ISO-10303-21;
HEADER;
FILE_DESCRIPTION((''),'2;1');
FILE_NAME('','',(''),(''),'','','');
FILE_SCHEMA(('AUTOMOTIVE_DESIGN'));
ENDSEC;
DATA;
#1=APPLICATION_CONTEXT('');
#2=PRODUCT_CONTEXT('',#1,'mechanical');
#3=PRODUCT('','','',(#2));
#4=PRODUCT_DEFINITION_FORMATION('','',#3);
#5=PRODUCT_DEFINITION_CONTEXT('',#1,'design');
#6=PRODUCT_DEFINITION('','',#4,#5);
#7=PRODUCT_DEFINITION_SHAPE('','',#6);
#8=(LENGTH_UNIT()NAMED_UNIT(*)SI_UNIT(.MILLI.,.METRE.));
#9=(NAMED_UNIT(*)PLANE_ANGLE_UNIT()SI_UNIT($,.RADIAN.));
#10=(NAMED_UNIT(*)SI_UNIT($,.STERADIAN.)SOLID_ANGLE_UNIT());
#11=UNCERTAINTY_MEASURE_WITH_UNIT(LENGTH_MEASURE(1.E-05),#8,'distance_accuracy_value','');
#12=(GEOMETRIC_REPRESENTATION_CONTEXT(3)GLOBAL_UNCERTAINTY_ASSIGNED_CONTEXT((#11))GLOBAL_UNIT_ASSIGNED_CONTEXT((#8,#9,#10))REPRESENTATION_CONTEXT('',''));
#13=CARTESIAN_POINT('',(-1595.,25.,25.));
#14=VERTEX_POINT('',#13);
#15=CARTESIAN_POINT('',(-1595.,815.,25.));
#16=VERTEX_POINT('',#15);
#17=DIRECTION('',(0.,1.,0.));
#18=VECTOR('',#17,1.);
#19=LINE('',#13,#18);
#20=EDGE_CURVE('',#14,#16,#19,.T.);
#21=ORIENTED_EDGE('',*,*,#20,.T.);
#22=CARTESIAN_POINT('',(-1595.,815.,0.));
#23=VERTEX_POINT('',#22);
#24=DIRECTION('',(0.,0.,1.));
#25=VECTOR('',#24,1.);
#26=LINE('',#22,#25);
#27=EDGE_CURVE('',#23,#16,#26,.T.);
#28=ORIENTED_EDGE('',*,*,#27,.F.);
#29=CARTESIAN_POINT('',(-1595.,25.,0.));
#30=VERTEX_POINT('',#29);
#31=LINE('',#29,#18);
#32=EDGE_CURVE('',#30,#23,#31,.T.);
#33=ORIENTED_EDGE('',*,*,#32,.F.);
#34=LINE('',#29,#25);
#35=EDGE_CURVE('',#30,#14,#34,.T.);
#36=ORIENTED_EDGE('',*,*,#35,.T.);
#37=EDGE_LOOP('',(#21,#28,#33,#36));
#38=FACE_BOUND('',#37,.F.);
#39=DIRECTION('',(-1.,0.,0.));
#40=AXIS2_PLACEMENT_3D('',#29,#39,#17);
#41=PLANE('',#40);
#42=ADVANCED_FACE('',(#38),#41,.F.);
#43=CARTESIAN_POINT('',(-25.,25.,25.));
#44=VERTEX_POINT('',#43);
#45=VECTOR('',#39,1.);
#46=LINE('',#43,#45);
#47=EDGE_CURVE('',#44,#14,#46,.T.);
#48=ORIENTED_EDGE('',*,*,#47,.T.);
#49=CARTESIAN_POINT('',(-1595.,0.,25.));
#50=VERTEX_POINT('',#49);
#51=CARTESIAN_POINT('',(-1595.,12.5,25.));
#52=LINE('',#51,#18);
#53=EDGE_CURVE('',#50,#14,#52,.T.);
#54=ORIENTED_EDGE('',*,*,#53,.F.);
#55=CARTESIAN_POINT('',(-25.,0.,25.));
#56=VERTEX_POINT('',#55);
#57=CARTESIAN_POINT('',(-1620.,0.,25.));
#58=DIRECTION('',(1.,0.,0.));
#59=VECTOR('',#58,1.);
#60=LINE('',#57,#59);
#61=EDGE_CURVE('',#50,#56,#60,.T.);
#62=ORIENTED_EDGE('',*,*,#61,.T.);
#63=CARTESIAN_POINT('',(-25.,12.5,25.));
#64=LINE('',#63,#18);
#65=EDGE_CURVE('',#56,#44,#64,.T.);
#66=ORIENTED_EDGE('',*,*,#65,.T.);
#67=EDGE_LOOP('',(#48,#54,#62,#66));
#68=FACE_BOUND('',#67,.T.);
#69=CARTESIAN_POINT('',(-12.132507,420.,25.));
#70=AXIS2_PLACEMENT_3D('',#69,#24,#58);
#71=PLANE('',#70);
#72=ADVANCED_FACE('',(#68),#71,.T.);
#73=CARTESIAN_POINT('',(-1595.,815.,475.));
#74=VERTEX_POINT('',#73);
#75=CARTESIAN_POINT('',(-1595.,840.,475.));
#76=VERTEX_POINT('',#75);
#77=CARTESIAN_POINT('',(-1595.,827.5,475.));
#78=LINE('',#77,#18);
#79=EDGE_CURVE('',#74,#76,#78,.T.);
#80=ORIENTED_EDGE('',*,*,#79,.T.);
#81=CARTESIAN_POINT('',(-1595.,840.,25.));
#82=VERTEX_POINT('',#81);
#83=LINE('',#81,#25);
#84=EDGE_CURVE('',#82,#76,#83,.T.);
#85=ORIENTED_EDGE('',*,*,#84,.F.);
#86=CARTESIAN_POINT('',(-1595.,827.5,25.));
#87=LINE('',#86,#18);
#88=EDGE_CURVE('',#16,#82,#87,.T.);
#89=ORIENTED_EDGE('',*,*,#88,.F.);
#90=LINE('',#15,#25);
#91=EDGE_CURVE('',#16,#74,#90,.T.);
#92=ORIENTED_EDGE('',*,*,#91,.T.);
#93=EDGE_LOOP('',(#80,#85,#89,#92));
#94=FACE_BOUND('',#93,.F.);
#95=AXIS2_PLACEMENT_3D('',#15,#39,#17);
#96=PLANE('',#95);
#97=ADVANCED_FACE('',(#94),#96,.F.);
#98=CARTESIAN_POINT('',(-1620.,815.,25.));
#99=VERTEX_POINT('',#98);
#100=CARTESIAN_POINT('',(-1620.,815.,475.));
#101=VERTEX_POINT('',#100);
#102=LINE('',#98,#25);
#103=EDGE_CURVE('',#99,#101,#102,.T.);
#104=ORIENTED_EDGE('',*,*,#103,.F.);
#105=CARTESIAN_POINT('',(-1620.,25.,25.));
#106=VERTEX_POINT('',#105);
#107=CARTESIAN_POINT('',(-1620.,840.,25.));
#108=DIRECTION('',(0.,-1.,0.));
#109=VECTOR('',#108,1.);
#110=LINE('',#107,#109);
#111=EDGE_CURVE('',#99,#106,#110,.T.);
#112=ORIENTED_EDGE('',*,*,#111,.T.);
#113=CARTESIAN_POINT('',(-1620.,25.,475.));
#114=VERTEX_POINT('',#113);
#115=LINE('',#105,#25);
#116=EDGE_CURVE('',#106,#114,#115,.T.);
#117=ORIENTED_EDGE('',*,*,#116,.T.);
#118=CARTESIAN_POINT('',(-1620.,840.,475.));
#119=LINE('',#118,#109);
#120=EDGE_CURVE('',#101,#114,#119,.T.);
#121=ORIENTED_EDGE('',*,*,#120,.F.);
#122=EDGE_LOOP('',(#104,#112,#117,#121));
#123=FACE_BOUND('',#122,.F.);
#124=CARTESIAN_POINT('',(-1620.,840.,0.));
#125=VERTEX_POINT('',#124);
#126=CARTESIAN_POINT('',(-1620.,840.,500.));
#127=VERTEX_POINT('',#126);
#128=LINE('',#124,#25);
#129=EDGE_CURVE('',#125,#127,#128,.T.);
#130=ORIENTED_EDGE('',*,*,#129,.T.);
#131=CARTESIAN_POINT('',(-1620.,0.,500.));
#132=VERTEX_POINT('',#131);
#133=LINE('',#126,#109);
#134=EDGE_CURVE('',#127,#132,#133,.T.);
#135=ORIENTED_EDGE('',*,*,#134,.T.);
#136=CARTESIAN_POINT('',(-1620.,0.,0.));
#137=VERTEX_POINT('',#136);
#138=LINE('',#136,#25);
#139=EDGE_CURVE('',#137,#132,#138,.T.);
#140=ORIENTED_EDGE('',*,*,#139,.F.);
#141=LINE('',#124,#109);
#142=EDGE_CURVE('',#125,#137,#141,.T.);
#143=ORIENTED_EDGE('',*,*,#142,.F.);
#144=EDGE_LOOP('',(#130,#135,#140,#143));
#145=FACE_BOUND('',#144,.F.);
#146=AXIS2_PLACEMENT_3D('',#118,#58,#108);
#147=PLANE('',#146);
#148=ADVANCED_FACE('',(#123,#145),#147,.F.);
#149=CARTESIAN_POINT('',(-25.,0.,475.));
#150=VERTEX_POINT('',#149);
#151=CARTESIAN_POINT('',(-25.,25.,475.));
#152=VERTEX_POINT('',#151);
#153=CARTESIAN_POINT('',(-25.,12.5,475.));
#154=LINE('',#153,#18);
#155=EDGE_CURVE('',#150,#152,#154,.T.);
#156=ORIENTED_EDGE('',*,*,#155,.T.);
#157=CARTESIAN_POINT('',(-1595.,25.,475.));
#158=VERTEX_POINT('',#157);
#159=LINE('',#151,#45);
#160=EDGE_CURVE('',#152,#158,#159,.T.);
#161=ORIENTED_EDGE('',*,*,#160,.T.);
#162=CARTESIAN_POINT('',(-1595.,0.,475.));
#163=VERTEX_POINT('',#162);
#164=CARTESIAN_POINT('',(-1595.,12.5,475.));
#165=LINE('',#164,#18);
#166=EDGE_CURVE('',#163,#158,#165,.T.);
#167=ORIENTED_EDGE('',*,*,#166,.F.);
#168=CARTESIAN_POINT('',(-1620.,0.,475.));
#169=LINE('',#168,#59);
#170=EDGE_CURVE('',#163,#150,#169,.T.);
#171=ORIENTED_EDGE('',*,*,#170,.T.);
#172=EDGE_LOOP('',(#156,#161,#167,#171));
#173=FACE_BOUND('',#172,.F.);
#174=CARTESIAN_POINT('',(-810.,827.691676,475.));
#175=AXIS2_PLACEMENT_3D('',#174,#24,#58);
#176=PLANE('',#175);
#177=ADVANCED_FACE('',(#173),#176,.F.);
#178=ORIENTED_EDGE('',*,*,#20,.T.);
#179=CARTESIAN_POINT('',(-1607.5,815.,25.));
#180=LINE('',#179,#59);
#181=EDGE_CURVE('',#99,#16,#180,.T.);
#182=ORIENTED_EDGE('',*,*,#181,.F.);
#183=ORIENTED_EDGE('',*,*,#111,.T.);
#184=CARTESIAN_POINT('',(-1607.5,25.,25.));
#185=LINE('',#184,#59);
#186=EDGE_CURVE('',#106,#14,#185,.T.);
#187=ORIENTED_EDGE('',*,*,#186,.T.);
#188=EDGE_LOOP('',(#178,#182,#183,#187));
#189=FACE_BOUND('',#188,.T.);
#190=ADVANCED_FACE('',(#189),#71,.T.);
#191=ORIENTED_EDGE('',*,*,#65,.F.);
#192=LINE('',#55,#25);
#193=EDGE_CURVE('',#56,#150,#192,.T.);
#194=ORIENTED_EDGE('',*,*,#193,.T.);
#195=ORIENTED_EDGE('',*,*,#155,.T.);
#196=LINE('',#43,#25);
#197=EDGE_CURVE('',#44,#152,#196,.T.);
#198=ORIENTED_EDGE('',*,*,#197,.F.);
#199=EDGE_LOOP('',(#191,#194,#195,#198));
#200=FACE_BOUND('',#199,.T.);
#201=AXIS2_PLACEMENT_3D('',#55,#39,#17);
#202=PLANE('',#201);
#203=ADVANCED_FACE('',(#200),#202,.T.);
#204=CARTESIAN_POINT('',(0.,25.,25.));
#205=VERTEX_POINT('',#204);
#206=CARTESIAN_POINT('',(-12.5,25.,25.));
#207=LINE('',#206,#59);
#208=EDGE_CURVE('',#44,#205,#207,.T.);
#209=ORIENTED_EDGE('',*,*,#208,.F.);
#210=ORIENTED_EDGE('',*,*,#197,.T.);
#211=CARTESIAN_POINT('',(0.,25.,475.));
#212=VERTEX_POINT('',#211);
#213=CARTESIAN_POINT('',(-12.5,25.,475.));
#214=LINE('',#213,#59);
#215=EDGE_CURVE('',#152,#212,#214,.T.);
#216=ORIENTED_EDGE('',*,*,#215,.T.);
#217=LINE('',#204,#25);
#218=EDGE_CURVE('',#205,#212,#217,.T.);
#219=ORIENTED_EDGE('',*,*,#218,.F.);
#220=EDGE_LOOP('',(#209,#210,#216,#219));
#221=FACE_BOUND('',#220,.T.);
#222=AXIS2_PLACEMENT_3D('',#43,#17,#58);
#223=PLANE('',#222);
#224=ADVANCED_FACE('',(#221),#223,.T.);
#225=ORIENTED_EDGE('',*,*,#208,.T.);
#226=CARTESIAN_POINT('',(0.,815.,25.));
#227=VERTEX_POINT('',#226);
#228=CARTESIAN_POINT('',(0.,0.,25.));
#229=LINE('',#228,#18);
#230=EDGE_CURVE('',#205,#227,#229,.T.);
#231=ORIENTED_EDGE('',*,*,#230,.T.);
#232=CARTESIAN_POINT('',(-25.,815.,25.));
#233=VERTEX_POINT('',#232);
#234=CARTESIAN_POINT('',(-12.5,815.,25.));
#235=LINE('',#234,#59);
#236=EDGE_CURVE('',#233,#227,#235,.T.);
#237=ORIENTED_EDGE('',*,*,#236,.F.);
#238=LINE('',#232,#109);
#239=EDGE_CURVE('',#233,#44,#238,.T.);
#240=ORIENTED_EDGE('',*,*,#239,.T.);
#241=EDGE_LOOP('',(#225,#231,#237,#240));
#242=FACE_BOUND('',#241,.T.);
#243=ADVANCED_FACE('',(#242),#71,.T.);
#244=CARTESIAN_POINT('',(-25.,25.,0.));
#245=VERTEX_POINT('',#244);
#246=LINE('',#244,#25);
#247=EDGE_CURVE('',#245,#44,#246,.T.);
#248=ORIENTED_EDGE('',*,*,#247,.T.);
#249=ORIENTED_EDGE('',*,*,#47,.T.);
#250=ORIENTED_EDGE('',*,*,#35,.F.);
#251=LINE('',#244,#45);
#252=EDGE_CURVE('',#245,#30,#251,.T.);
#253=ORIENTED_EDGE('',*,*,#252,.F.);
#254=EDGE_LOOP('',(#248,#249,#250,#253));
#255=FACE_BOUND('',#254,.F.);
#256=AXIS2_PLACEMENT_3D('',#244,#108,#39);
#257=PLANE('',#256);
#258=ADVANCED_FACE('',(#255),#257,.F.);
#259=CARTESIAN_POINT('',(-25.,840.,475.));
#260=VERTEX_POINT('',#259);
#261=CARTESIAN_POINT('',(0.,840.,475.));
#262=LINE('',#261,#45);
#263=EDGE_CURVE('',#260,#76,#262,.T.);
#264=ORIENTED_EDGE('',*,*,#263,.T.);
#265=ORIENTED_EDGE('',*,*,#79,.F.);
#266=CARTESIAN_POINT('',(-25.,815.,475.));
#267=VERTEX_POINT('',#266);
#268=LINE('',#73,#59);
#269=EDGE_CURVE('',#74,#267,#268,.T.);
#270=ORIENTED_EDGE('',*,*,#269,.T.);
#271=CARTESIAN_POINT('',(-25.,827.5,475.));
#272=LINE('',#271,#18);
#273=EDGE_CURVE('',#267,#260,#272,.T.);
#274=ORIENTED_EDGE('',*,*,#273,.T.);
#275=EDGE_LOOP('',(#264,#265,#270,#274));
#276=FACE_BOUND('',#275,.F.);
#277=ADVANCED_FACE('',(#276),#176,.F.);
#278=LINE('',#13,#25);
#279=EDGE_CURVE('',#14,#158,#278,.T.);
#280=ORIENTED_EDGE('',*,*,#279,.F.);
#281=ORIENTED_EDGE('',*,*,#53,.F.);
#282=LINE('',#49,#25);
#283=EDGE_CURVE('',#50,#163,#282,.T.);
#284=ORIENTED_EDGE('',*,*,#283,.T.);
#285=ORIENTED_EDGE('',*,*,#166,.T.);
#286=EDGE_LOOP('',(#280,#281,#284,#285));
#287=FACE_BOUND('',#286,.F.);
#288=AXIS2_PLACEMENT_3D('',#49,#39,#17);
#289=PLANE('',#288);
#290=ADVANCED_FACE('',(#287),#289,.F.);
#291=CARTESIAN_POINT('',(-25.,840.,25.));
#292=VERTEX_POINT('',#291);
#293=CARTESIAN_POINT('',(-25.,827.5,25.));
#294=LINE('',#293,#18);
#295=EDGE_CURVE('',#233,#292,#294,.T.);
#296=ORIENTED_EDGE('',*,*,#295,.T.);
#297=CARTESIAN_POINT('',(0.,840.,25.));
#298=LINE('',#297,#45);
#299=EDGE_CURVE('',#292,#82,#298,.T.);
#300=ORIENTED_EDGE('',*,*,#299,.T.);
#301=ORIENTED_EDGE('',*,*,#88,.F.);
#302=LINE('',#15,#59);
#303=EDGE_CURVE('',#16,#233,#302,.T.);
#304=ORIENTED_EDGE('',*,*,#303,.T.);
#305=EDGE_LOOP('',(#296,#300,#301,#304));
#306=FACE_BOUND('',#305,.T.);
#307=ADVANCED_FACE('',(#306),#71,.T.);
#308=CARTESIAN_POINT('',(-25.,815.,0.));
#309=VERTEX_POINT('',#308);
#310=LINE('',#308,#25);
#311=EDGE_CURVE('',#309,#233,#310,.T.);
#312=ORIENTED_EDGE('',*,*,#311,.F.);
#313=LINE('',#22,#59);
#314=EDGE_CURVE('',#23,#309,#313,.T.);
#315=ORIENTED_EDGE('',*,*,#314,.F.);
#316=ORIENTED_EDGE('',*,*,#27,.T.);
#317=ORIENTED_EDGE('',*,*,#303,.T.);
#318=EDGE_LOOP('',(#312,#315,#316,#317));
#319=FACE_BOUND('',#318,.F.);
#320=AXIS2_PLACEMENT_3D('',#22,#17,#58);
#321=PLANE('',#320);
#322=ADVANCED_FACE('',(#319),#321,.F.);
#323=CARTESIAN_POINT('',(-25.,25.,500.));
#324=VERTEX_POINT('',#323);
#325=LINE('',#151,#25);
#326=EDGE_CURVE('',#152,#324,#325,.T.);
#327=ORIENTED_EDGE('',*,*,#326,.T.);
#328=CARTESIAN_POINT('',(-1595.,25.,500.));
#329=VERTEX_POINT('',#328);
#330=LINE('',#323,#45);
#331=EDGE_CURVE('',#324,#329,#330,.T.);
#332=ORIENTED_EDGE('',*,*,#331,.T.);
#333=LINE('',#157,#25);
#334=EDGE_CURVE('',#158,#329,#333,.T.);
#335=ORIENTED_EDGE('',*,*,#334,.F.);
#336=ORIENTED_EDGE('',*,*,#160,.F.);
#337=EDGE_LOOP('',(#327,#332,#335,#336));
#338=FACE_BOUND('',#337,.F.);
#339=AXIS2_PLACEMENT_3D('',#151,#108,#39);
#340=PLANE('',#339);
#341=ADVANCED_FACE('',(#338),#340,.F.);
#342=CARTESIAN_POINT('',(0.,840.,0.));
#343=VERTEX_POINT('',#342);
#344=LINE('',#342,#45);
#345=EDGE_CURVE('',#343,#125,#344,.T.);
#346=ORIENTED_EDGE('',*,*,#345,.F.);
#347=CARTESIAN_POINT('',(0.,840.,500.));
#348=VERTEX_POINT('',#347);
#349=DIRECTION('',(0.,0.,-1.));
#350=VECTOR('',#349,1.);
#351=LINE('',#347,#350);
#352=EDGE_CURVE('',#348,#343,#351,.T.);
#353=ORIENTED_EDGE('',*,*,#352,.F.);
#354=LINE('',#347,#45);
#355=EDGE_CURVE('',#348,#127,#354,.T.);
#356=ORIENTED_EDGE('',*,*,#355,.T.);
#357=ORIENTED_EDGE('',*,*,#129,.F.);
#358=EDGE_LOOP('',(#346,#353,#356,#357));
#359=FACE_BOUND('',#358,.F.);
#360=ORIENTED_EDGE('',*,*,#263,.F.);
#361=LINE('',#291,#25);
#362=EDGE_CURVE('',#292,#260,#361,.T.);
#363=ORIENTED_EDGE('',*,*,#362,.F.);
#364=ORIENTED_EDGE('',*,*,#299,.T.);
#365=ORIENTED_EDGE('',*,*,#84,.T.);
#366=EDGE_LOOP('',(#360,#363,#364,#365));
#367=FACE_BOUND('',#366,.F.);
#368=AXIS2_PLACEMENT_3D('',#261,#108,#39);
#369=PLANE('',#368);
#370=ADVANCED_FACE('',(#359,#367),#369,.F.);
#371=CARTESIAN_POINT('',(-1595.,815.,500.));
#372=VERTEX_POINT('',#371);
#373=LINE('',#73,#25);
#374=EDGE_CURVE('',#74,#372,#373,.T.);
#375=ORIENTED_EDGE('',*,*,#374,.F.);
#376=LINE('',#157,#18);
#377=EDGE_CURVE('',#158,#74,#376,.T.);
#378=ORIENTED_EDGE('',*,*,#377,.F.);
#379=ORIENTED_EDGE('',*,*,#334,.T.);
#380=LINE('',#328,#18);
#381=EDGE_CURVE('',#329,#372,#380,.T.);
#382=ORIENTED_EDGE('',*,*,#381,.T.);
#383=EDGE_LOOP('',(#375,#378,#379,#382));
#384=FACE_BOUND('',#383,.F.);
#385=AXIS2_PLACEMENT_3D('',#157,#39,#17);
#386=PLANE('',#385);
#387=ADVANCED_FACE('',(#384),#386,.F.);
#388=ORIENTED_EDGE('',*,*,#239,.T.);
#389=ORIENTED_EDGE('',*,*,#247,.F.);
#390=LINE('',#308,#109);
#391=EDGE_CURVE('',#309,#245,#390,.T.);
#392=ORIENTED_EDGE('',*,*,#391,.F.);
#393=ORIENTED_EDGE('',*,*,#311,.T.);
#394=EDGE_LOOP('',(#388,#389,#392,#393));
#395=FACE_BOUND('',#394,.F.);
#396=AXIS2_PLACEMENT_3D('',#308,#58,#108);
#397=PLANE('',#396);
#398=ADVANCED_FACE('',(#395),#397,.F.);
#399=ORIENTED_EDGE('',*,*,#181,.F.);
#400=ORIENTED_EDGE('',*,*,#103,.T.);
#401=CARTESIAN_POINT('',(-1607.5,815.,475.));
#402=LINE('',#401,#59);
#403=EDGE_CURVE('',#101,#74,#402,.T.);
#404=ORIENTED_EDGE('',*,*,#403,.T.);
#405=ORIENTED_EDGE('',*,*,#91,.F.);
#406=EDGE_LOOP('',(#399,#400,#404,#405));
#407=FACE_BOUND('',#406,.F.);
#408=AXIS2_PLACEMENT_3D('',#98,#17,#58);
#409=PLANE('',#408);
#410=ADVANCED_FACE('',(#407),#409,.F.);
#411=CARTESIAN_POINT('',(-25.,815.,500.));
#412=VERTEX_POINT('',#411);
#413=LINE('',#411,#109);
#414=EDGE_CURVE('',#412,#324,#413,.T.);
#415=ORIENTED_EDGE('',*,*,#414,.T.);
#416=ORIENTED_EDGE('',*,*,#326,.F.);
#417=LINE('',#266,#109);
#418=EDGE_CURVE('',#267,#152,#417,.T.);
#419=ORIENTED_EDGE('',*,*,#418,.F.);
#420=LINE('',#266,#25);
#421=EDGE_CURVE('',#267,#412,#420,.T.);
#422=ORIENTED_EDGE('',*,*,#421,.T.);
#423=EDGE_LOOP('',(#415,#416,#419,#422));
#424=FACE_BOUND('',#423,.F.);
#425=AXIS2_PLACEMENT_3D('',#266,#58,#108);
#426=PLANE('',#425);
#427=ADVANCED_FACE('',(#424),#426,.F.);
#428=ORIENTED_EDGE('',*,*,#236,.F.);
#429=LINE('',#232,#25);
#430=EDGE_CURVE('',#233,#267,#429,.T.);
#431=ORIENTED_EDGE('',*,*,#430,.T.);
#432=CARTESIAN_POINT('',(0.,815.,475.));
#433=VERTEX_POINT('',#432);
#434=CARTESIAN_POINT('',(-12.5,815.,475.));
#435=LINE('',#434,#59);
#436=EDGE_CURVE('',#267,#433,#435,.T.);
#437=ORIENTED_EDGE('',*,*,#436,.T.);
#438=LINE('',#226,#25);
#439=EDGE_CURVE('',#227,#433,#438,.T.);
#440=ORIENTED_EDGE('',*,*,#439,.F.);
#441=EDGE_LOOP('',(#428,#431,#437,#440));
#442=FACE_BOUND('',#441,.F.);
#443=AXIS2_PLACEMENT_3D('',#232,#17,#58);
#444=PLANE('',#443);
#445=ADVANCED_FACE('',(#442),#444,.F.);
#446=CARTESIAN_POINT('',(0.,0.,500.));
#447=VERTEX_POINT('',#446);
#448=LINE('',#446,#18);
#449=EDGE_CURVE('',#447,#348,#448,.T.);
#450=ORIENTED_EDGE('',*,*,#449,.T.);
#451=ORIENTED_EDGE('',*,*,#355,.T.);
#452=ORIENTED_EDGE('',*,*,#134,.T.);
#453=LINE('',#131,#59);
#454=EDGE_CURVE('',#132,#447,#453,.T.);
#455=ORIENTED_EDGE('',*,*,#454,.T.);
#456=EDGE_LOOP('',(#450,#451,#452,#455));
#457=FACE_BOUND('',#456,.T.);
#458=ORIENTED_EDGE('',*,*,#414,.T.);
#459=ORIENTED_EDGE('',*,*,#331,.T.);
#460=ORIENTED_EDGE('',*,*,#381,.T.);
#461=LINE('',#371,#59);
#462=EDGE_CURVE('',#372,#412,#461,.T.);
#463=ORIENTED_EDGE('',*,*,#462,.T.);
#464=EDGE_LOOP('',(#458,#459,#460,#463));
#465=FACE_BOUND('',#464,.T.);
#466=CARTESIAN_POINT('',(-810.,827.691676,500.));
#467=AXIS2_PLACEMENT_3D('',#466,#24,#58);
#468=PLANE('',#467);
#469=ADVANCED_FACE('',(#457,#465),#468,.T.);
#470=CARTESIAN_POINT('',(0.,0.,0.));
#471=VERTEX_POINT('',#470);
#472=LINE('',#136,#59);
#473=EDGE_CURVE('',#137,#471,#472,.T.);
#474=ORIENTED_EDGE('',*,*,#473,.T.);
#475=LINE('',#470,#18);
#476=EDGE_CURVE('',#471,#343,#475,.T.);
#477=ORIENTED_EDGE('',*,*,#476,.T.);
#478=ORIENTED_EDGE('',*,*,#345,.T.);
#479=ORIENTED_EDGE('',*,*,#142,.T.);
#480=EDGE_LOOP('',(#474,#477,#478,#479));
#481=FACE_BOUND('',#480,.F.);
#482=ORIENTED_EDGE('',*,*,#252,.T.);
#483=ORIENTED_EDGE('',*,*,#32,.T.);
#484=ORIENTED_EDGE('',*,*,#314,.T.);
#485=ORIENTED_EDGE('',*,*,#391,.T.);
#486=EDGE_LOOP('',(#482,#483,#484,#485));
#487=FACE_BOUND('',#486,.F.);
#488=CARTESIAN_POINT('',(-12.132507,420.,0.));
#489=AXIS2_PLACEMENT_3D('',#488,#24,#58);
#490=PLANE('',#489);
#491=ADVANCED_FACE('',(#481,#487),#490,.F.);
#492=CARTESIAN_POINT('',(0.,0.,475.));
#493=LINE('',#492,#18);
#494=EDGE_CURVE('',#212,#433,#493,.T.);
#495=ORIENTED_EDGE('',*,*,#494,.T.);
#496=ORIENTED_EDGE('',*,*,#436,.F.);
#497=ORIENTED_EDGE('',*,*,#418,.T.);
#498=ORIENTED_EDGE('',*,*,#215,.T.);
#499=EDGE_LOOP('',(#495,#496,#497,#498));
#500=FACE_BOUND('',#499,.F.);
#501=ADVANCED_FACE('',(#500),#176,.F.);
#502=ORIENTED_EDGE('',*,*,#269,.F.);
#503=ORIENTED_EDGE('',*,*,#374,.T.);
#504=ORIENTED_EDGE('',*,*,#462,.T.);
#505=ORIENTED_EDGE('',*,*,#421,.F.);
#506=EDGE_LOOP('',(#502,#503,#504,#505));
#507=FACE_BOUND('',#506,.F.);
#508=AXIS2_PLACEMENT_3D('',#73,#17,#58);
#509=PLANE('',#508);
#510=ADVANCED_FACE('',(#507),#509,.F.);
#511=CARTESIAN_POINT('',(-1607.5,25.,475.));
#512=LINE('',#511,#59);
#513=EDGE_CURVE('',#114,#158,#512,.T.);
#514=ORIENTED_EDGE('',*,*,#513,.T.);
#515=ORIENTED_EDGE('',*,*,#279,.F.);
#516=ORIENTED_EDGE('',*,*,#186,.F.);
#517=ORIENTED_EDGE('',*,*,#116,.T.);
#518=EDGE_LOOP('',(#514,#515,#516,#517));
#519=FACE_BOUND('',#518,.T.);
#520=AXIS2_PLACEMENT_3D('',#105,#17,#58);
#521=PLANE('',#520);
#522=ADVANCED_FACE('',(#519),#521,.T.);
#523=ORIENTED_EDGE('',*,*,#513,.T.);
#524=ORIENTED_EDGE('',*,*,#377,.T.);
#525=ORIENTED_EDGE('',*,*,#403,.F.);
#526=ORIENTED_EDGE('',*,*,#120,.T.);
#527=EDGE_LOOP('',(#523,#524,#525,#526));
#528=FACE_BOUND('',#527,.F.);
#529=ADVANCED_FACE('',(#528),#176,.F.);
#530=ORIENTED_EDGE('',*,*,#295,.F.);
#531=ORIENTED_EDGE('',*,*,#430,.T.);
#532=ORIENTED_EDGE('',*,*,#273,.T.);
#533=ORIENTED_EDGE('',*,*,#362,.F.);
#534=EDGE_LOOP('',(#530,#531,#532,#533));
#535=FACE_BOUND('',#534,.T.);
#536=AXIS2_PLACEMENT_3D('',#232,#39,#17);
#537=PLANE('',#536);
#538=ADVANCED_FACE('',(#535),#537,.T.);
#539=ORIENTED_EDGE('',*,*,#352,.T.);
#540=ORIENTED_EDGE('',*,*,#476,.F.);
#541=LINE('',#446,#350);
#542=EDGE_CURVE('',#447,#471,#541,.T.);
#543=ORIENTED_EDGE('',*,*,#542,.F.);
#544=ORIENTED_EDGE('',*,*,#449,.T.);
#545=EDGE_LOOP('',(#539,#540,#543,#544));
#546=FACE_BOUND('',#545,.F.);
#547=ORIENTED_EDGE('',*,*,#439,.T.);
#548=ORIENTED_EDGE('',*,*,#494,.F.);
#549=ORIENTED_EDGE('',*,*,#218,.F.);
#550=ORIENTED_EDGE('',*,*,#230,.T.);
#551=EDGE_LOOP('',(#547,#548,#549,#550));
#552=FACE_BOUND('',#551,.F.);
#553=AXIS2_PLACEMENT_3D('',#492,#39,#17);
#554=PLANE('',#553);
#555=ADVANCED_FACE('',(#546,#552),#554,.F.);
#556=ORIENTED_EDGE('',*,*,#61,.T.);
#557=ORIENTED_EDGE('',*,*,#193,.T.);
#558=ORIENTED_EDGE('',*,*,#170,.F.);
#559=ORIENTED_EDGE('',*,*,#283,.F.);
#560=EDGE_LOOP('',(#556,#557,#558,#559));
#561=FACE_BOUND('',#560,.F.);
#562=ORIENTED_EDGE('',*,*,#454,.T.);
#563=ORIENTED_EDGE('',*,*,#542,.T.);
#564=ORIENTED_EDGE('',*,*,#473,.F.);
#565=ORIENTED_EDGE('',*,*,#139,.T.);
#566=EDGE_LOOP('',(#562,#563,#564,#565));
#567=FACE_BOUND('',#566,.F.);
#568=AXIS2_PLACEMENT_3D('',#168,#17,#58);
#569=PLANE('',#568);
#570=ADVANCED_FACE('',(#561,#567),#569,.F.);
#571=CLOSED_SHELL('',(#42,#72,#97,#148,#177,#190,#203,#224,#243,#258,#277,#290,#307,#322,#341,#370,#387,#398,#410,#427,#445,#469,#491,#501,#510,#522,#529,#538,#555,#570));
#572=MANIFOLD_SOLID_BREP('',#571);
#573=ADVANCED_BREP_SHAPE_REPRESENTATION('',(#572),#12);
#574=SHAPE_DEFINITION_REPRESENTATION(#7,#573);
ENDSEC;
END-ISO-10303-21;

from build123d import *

# Parameters (mm, degrees)
F1_DEPTH = 25
F2_W     = 25
F2_H     = 25
F3_DEPTH = 450
F5_DEPTH = 25


with BuildPart() as f1:
    # F0 (on Top) → F1 (new body)
    with BuildSketch(Plane.XY):
        Polygon((-25, 25), (0, 0), (0, 840), (-25, 815), (-25, 420), align=None)
        Polygon((-1620, 0), (0, 0), (-25, 25), (-810, 25), (-1595, 25), align=None)
        Polygon((-1620, 840), (-1620, 0), (-1595, 25), (-1595, 420), (-1595, 815), align=None)
        Polygon((-25, 815), (0, 840), (-1620, 840), (-1595, 815), (-810, 815), align=None)
    extrude(amount=F1_DEPTH)

    # F2 (on face) → F3 (join)
    with BuildSketch(Plane.XY.offset(25)):
        with Locations((-1607.5, 12.5)):
            Rectangle(F2_W, F2_H)
        with Locations((-1607.5, 827.5)):
            Rectangle(F2_W, F2_H)
        with Locations((-12.5, 12.5)):
            Rectangle(F2_W, F2_H)
        with Locations((-12.5, 827.5)):
            Rectangle(F2_W, F2_H)
    extrude(amount=F3_DEPTH)

    # F4 (on face) → F5 (join)
    with BuildSketch(Plane.XY.offset(475)):
        Polygon((-25, 815), (0, 840), (-1620, 840), (-1595, 815), (-810, 815), align=None)
        Polygon((0, 0), (0, 840), (-25, 815), (-25, 420), (-25, 25), align=None)
        Polygon((-1595, 815), (-1620, 840), (-1620, 0), (-1595, 25), (-1595, 420), align=None)
        Polygon((-1620, 0), (0, 0), (-25, 25), (-810, 25), (-1595, 25), align=None)
    extrude(amount=F5_DEPTH)


solid = f1.part
